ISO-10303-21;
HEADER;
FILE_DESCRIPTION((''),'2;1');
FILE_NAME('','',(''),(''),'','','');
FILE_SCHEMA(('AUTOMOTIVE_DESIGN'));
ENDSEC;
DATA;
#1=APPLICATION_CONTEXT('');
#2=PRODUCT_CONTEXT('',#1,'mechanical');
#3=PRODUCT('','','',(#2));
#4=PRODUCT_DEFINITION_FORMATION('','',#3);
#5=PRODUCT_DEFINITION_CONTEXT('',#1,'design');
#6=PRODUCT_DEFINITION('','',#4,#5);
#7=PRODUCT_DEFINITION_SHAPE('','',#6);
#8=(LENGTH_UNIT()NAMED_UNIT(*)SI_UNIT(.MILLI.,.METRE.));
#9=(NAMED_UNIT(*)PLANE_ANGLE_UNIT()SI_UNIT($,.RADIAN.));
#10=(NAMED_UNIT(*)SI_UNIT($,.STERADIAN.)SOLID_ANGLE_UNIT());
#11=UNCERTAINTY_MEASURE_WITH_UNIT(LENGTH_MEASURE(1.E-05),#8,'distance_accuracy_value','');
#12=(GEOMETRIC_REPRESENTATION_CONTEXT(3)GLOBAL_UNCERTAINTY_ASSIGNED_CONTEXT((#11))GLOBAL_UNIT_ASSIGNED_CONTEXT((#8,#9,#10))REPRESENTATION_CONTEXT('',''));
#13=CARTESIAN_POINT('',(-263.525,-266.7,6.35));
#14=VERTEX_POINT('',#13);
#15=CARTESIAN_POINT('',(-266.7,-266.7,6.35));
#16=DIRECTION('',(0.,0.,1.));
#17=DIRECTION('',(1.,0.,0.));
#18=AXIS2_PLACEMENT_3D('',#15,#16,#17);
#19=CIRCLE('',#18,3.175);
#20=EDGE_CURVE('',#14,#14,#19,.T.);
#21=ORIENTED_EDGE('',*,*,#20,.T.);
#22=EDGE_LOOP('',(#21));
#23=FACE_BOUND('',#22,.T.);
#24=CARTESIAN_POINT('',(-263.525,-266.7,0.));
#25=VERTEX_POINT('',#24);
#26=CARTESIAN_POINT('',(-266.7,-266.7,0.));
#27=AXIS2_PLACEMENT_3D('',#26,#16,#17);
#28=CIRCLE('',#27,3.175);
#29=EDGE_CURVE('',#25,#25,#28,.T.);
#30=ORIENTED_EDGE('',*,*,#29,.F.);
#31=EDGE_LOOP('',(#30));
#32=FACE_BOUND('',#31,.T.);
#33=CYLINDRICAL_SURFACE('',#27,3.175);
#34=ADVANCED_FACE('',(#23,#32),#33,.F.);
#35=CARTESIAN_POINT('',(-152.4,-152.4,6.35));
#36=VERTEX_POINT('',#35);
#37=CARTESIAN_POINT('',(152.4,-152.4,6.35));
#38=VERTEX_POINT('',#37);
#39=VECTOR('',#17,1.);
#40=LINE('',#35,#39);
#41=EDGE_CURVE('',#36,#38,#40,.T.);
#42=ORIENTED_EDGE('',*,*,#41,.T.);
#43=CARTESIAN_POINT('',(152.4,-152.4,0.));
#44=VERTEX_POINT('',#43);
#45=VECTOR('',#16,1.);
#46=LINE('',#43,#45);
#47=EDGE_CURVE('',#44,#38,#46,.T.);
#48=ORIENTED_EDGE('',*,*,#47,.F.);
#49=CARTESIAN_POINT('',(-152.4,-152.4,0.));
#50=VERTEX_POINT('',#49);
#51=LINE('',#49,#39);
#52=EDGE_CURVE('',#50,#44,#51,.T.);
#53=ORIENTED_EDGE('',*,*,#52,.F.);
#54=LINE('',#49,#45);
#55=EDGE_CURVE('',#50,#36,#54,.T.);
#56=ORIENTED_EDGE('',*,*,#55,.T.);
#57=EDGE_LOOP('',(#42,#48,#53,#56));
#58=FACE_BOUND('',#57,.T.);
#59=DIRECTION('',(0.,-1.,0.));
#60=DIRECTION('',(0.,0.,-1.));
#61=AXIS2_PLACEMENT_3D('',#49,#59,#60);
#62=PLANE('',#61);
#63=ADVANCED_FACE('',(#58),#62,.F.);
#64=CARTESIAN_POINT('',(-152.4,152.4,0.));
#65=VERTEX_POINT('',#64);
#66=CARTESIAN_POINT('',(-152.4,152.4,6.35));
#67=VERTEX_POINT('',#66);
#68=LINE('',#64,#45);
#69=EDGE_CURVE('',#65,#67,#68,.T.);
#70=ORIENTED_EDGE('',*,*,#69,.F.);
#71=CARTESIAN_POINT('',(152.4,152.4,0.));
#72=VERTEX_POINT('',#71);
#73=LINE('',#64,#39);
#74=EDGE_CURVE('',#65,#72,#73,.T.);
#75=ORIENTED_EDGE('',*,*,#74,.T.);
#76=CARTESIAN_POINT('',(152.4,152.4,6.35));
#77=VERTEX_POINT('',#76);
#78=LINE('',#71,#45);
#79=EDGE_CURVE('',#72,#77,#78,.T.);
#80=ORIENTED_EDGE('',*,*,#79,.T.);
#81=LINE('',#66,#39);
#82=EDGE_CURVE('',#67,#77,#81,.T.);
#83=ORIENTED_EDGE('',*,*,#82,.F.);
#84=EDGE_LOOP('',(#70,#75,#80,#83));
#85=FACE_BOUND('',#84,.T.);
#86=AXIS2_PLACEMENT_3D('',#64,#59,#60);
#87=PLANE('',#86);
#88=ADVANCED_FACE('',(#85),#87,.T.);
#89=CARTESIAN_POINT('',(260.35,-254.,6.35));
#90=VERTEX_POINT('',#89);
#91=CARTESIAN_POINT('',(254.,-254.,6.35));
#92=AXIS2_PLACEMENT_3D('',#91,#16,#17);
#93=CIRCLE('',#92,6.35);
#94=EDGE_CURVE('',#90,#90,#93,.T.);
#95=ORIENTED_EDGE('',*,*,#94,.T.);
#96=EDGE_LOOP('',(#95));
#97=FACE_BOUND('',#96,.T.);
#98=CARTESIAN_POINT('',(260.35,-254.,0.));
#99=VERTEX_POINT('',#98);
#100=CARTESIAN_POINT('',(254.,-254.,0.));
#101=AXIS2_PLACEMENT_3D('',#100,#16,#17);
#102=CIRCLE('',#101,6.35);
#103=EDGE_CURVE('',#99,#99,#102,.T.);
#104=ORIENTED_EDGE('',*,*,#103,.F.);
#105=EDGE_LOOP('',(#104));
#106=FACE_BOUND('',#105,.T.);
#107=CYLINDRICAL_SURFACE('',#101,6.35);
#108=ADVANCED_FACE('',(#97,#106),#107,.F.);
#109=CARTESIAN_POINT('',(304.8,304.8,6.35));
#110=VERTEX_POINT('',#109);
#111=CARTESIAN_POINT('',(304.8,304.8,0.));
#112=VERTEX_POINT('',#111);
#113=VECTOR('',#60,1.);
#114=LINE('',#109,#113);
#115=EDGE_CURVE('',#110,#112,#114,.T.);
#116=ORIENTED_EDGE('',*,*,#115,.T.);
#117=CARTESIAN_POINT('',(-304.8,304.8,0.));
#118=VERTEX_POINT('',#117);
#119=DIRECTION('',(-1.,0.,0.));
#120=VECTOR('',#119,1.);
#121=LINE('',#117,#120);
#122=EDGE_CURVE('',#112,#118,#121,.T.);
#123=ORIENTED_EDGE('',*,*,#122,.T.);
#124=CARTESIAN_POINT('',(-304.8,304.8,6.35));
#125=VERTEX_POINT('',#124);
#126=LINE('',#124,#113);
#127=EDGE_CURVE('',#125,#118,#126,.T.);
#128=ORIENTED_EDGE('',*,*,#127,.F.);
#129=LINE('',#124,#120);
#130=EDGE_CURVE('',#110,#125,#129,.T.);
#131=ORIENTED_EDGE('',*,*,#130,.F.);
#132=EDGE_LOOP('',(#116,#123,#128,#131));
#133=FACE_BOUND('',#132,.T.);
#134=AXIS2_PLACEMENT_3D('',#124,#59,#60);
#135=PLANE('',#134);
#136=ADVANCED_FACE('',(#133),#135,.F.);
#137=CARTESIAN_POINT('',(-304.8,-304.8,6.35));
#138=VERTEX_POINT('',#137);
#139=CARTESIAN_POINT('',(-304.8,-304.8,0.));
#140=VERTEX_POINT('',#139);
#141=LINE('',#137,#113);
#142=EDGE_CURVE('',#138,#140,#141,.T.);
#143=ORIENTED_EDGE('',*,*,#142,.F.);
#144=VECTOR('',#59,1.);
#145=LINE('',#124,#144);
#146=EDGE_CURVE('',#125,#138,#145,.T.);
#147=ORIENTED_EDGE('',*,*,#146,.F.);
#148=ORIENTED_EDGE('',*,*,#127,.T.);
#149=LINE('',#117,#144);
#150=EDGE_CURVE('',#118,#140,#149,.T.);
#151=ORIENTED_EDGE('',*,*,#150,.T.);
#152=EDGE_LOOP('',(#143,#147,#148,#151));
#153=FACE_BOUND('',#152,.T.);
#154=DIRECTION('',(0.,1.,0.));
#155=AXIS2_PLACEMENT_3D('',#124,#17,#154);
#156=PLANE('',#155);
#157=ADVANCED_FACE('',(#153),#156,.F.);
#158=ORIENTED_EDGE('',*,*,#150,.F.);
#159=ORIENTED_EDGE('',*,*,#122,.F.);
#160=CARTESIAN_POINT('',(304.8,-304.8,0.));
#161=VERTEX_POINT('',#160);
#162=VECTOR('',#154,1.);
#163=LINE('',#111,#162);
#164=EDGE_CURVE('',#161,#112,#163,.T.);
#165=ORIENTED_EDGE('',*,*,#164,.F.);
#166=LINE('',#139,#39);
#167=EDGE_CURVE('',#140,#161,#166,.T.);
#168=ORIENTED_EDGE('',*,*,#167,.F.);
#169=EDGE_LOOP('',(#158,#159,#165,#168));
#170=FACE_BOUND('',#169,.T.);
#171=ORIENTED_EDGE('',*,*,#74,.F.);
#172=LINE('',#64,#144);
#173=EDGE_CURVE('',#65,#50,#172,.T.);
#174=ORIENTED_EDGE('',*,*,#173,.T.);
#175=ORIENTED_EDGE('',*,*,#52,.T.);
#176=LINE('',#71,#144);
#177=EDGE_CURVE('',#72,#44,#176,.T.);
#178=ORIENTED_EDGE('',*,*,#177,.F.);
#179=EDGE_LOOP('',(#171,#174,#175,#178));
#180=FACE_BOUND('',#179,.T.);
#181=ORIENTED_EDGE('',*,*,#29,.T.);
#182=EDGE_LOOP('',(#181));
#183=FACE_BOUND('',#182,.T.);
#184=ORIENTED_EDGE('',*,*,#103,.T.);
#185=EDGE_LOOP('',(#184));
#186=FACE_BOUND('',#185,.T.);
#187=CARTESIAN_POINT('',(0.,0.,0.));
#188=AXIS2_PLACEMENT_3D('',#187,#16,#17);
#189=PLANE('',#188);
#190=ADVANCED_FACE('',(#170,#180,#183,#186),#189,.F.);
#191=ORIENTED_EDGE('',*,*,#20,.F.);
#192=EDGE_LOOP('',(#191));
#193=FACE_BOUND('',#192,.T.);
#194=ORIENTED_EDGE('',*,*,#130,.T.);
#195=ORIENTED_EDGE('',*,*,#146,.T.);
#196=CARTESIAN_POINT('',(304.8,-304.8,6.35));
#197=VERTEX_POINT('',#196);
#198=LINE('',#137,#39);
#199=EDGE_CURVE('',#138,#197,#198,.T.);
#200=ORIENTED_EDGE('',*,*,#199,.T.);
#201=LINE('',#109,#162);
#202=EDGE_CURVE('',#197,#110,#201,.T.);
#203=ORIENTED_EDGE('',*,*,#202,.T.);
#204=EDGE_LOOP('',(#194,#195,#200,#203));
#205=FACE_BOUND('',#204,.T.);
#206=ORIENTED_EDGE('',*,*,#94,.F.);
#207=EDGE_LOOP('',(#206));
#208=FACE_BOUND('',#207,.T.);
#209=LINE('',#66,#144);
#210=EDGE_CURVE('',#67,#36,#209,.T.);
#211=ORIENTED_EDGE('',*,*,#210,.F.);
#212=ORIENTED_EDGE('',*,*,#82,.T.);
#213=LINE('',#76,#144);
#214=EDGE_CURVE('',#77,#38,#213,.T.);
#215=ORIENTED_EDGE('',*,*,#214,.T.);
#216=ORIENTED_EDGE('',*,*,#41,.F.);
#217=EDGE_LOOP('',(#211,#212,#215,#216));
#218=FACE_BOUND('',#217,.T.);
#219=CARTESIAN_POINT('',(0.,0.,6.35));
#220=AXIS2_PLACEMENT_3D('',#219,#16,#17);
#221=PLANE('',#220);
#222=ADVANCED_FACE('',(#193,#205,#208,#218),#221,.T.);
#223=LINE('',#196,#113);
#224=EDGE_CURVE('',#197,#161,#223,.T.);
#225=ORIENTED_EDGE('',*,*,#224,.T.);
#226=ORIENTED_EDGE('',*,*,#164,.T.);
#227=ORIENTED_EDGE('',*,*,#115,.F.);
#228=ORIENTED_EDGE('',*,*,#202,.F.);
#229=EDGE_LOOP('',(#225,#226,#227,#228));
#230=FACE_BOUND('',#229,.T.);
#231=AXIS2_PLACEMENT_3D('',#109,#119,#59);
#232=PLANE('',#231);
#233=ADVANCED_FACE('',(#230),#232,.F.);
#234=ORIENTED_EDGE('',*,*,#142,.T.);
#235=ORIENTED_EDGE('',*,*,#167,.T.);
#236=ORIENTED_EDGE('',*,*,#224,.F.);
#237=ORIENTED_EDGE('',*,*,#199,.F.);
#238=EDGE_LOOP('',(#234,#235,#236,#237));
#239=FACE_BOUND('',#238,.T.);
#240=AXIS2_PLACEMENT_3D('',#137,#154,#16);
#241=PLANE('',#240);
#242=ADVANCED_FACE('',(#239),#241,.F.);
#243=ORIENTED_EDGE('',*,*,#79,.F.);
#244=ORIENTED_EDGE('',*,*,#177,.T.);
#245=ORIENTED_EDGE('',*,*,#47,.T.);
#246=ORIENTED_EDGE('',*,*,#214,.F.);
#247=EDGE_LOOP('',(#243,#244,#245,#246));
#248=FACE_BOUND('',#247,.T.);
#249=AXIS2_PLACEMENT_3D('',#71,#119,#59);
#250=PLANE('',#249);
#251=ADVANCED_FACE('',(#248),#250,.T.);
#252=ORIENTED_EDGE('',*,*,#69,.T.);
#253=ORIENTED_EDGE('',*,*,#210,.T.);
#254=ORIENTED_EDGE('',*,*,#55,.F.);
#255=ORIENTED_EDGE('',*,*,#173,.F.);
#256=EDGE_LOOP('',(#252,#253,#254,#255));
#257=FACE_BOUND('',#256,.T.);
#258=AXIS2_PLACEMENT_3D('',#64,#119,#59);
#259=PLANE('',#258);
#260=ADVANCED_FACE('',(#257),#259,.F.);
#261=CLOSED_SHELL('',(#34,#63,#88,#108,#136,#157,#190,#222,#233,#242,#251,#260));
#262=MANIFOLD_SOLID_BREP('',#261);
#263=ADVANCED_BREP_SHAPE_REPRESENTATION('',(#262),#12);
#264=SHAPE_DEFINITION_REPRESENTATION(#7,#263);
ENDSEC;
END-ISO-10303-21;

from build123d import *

# Parameters (mm, degrees)
SKETCH1_W           = 609.6
SKETCH1_H           = 609.6
BOSS_EXTRUDE1_DEPTH = 6.35
SKETCH2_R           = 6.35
CUT_EXTRUDE1_DEPTH  = 6.35
SKETCH3_W           = 304.8
SKETCH3_H           = 304.8
CUT_EXTRUDE2_DEPTH  = 432.099063441
SKETCH4_R           = 3.175
CUT_EXTRUDE3_DEPTH  = 432.099063441


with BuildPart() as part:
    # Sketch1 → Boss-Extrude1 (new body)
    with BuildSketch(Plane.XY):
        Rectangle(SKETCH1_W, SKETCH1_H)
    extrude(amount=BOSS_EXTRUDE1_DEPTH)

    # Sketch2 → Cut-Extrude1 (cut)
    with BuildSketch(Plane.XY.offset(6.35)):
        with Locations((254, -254)):
            Circle(SKETCH2_R)
    extrude(amount=-CUT_EXTRUDE1_DEPTH, mode=Mode.SUBTRACT)

    # Sketch3 → Cut-Extrude2 (cut, through all)
    with BuildSketch(Plane.XY.offset(6.35)):
        Rectangle(SKETCH3_W, SKETCH3_H)
    extrude(amount=-CUT_EXTRUDE2_DEPTH, mode=Mode.SUBTRACT)

    # Sketch4 → Cut-Extrude3 (cut, through all)
    with BuildSketch(Plane.XY.offset(6.35)):
        with Locations((-266.7, -266.7)):
            Circle(SKETCH4_R)
    extrude(amount=-CUT_EXTRUDE3_DEPTH, mode=Mode.SUBTRACT)


solid = part.part
